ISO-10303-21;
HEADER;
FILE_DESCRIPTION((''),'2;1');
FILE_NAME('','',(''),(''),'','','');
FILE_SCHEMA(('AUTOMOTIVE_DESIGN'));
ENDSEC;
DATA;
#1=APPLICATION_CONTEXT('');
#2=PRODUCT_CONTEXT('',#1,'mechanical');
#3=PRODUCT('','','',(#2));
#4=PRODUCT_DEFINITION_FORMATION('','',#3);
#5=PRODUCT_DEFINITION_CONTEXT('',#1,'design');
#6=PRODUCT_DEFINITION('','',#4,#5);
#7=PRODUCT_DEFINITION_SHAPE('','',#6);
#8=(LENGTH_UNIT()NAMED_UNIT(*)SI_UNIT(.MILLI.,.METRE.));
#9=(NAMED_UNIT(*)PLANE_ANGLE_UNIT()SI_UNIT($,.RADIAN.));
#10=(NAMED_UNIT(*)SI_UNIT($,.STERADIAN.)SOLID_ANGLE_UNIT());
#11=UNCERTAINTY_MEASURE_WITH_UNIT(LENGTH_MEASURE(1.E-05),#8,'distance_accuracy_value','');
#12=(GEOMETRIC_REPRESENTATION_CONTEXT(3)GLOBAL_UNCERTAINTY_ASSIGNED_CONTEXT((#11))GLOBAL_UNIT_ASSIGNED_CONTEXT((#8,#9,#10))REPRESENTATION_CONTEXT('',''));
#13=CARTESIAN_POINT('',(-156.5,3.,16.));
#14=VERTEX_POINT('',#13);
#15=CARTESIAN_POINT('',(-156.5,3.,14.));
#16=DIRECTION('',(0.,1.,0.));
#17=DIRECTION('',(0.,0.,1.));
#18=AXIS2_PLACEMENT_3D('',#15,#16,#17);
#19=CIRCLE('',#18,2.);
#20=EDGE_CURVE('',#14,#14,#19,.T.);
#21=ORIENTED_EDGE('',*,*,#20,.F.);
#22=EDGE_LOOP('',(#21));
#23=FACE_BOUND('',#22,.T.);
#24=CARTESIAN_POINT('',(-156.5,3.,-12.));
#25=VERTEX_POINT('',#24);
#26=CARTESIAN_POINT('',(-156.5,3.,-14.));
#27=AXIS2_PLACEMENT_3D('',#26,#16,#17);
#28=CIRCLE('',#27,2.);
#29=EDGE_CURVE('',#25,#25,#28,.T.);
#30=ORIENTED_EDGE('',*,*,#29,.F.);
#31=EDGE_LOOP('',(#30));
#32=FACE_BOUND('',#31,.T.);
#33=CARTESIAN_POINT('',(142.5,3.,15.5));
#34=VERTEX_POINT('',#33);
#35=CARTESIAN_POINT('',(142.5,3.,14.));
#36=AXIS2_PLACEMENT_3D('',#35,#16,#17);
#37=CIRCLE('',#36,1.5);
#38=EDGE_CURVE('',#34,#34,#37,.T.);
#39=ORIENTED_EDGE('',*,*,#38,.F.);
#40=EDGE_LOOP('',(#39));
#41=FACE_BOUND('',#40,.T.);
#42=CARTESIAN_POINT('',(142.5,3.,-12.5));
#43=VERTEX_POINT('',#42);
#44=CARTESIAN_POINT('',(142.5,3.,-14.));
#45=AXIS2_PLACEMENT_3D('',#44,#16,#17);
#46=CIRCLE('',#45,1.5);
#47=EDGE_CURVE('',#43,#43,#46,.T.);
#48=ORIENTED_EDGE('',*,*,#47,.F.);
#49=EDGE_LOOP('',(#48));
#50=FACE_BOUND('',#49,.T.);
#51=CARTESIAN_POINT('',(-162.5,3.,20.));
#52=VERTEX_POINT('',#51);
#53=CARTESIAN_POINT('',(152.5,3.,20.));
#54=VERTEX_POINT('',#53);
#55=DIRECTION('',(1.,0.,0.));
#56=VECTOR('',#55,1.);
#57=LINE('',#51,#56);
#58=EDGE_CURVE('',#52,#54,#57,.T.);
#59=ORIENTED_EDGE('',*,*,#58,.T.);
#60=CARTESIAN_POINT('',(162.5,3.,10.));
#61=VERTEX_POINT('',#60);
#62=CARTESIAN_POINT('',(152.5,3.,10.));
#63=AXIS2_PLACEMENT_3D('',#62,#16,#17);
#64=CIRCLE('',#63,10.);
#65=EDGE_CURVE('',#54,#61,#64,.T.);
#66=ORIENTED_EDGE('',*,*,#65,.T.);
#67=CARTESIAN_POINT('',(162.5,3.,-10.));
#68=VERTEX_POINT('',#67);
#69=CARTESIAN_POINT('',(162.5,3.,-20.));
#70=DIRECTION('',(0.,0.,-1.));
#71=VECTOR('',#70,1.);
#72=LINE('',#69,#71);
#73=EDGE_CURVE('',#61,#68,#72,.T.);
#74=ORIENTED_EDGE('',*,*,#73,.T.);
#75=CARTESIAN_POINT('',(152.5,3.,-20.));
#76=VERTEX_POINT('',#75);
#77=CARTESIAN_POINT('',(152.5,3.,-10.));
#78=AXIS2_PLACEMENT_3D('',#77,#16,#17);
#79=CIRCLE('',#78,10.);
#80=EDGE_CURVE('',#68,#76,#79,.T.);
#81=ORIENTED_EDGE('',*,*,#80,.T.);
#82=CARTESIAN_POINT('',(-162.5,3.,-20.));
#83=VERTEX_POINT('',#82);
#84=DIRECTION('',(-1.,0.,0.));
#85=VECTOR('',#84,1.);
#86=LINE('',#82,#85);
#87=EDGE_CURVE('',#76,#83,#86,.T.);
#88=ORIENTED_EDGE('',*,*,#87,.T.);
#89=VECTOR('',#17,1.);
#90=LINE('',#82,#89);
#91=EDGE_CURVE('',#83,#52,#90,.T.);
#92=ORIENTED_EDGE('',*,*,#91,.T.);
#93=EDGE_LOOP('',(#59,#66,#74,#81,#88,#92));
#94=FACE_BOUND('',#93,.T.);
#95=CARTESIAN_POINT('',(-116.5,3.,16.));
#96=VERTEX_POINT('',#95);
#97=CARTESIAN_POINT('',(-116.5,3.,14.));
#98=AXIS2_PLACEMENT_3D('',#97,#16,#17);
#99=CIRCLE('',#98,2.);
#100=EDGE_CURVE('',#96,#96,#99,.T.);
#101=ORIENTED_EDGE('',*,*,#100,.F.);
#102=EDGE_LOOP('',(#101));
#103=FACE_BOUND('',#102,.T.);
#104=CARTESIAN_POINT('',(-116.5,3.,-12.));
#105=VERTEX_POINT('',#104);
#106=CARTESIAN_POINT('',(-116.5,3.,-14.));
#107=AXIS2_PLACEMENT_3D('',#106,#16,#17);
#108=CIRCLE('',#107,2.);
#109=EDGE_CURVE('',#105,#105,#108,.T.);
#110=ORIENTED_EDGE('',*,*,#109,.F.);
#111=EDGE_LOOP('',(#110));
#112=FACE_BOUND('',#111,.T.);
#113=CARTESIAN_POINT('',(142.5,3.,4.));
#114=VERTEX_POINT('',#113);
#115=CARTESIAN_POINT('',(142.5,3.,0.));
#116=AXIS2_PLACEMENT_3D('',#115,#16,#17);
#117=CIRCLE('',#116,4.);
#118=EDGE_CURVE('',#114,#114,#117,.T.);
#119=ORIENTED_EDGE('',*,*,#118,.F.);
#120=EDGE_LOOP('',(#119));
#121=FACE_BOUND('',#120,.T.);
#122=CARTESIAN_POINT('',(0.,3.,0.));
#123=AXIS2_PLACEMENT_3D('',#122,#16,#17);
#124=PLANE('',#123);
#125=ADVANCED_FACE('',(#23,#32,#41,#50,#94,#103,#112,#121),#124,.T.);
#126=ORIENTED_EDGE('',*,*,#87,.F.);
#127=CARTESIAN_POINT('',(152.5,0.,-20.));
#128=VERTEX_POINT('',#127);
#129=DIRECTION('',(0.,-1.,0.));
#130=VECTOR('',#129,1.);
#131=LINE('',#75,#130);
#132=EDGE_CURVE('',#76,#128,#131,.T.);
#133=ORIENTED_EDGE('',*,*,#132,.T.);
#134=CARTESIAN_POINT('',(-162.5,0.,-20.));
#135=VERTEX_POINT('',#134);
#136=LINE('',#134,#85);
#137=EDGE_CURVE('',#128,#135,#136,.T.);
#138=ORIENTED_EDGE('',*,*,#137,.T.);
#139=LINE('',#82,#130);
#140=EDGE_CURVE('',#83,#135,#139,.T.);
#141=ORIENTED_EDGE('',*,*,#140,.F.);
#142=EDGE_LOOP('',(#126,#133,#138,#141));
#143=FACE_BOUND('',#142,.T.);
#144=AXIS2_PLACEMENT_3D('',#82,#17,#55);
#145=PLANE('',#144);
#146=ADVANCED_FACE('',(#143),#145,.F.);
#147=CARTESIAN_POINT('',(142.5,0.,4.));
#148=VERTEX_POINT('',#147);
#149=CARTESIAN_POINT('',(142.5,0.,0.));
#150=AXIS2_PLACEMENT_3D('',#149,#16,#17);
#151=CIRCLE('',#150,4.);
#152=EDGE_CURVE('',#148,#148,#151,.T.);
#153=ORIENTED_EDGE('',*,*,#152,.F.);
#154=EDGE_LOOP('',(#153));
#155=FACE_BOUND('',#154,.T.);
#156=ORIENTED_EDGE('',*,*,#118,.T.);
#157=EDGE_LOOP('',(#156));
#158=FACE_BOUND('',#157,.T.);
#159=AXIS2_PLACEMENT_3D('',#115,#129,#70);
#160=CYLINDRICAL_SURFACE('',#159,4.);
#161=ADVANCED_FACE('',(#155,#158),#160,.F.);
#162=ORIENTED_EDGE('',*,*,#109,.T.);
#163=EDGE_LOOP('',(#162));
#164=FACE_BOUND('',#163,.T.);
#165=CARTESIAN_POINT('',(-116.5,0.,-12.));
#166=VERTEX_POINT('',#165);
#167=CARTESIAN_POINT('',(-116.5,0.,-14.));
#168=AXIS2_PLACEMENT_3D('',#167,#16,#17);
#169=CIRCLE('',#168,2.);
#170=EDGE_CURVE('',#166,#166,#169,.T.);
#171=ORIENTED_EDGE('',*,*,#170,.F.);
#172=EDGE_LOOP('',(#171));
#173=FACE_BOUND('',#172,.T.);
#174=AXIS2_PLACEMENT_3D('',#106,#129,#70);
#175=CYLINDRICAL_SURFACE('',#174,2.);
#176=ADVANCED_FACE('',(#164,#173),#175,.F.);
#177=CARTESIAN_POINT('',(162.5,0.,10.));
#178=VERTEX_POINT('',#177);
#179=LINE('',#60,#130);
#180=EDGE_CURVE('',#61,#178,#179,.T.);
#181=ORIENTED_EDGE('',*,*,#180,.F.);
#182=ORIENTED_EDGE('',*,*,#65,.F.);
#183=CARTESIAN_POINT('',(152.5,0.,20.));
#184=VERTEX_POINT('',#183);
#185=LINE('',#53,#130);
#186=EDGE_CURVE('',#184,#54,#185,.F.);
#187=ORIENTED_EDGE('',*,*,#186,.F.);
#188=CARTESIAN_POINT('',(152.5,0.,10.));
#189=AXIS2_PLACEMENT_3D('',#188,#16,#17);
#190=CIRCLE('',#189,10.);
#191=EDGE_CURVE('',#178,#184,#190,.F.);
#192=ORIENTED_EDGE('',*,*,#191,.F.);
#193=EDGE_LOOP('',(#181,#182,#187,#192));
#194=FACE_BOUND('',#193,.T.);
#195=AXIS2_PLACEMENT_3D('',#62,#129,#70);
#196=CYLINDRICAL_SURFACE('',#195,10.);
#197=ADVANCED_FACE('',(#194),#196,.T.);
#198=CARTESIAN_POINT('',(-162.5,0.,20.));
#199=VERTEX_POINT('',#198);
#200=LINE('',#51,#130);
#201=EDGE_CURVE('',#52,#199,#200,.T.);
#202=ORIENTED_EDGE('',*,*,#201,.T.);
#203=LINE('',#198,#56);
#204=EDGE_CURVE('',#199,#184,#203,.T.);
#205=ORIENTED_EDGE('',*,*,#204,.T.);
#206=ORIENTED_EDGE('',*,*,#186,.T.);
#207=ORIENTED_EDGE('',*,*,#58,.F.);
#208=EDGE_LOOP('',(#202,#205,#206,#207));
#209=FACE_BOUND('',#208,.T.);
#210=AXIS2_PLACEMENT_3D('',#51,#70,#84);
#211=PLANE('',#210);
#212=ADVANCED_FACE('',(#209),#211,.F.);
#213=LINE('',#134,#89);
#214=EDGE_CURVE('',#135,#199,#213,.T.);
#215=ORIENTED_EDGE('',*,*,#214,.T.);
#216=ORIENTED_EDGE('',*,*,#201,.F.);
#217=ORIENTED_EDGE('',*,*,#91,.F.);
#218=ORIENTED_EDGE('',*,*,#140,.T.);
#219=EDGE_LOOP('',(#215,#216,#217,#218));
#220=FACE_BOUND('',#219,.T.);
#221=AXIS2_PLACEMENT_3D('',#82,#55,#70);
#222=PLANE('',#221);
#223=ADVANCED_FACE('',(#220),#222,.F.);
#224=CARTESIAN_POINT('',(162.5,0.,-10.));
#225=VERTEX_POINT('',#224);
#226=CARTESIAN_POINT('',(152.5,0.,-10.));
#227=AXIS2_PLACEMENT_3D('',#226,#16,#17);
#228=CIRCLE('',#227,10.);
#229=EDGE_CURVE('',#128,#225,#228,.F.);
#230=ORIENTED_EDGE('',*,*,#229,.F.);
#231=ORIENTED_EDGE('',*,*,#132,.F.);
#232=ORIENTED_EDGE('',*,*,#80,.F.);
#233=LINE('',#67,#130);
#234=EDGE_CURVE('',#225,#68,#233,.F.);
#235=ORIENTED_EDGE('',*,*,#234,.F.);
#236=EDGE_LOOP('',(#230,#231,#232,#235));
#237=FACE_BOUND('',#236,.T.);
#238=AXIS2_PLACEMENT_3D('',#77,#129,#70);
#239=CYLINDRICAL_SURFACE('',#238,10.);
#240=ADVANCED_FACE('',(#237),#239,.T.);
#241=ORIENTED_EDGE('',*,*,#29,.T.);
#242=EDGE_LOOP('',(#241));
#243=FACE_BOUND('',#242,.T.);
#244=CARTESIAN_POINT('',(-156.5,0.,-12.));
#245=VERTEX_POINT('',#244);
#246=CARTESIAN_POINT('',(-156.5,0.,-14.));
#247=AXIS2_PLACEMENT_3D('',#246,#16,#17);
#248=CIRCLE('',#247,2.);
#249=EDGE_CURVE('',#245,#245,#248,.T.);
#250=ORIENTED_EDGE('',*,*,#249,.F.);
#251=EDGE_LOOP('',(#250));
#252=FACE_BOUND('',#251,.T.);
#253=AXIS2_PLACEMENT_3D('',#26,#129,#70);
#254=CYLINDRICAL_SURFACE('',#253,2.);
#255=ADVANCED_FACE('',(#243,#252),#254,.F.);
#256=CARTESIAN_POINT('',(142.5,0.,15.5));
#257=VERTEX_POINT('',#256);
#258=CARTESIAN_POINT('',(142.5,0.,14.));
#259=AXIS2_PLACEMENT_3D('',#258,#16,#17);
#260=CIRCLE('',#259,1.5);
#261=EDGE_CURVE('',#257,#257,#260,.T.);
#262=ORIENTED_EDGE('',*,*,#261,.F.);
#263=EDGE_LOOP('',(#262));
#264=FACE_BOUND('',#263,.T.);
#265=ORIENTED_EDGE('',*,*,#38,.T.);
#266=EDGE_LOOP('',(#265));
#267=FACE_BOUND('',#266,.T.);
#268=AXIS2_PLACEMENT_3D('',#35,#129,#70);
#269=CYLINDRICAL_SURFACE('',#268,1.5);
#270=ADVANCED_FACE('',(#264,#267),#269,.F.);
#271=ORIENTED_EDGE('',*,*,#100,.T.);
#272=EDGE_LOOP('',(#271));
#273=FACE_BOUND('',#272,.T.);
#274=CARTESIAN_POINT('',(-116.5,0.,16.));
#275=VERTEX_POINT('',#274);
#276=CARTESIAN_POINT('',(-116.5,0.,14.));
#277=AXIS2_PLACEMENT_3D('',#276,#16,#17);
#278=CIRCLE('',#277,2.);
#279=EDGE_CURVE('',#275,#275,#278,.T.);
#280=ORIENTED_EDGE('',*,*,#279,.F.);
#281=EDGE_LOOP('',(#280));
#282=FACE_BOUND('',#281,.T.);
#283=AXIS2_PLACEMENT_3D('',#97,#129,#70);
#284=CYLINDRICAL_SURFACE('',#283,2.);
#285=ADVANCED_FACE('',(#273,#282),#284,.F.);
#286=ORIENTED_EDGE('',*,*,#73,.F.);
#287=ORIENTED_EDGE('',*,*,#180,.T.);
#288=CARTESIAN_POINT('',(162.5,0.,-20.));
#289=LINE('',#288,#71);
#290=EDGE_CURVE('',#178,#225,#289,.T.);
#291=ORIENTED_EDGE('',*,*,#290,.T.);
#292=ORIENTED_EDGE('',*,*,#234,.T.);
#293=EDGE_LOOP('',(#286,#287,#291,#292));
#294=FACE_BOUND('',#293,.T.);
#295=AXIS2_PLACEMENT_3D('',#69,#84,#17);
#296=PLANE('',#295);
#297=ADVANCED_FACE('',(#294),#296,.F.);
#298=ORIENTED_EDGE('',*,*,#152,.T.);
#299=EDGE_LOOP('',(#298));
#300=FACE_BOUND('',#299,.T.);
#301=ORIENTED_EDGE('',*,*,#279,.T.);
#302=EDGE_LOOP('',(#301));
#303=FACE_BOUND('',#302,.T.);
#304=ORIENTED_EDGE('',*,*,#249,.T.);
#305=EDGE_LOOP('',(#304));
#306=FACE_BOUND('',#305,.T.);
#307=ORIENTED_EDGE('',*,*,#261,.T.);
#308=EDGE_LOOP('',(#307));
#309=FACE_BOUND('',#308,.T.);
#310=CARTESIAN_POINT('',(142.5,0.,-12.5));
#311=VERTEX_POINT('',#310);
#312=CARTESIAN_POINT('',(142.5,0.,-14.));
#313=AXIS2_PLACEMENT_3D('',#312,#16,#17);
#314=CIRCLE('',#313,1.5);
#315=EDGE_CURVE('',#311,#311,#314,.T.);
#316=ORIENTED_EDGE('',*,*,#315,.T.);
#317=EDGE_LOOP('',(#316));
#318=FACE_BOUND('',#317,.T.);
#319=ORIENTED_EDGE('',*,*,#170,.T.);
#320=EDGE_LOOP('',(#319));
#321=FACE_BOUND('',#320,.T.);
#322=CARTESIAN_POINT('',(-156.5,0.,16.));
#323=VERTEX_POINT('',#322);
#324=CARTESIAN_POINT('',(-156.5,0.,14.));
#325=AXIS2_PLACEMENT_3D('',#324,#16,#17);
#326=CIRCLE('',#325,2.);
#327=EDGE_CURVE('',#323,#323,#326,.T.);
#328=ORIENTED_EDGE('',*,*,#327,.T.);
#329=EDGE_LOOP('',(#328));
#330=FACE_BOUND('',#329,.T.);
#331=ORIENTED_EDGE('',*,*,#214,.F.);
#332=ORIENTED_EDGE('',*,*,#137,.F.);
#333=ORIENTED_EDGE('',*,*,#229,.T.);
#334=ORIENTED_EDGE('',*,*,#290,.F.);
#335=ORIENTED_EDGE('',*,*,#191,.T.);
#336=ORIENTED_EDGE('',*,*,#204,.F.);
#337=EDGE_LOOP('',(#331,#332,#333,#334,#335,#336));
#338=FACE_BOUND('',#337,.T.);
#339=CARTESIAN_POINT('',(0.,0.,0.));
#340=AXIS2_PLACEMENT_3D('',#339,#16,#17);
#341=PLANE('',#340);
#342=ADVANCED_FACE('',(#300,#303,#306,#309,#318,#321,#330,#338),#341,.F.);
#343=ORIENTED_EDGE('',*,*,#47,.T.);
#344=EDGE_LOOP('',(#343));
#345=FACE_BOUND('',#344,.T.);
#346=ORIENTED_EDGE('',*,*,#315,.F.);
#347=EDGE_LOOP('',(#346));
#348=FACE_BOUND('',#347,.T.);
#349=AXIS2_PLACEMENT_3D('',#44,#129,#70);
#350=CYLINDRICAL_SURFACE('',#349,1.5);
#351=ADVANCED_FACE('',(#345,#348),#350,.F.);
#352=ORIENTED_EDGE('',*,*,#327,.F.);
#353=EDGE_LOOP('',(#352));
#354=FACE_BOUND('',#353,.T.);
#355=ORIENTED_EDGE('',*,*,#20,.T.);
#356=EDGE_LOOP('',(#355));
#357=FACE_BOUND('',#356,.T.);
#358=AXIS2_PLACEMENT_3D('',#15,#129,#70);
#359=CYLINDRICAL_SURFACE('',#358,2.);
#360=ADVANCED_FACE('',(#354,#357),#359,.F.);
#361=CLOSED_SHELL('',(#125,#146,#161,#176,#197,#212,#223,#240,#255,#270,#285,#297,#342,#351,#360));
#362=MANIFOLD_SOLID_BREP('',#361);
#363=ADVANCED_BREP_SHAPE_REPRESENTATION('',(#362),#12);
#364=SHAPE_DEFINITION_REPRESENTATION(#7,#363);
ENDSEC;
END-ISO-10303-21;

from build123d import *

# Parameters (mm, degrees)
SKETCH1_W           = 325
SKETCH1_H           = 40
SKETCH1_R           = 2
SKETCH1_R_2         = 4
SKETCH1_R_3         = 1.5
BOSS_EXTRUDE1_DEPTH = 3
FILLET1_R           = 10


with BuildPart() as part:
    # Sketch1 → Boss-Extrude1 (new body)
    with BuildSketch(Plane(origin=(0, 0, 0), x_dir=(1, 0, 0), z_dir=(0, 1, 0))):
        Rectangle(SKETCH1_W, SKETCH1_H)
        with Locations(Location((-156.5, 14, 0), (0, 0, 270))):
            Circle(SKETCH1_R, mode=Mode.SUBTRACT)
        with Locations(Location((-116.5, 14, 0), (0, 0, 270))):
            Circle(SKETCH1_R, mode=Mode.SUBTRACT)
        with Locations(Location((-116.5, -14, 0), (0, 0, 270))):
            Circle(SKETCH1_R, mode=Mode.SUBTRACT)
        with Locations(Location((-156.5, -14, 0), (0, 0, 270))):
            Circle(SKETCH1_R, mode=Mode.SUBTRACT)
        with Locations(Location((142.5, 0, 0), (0, 0, 270))):
            Circle(SKETCH1_R_2, mode=Mode.SUBTRACT)
        with Locations(Location((142.5, 14, 0), (0, 0, 270))):
            Circle(SKETCH1_R_3, mode=Mode.SUBTRACT)
        with Locations(Location((142.5, -14, 0), (0, 0, 270))):
            Circle(SKETCH1_R_3, mode=Mode.SUBTRACT)
    extrude(amount=BOSS_EXTRUDE1_DEPTH)

    # Fillet1
    fillet1_edges = [part.edges().sort_by_distance(p)[0] for p in [
        (162.5, 1.5, 20),
        (162.5, 1.5, -20),
    ]]
    fillet(fillet1_edges, radius=FILLET1_R)


solid = part.part
